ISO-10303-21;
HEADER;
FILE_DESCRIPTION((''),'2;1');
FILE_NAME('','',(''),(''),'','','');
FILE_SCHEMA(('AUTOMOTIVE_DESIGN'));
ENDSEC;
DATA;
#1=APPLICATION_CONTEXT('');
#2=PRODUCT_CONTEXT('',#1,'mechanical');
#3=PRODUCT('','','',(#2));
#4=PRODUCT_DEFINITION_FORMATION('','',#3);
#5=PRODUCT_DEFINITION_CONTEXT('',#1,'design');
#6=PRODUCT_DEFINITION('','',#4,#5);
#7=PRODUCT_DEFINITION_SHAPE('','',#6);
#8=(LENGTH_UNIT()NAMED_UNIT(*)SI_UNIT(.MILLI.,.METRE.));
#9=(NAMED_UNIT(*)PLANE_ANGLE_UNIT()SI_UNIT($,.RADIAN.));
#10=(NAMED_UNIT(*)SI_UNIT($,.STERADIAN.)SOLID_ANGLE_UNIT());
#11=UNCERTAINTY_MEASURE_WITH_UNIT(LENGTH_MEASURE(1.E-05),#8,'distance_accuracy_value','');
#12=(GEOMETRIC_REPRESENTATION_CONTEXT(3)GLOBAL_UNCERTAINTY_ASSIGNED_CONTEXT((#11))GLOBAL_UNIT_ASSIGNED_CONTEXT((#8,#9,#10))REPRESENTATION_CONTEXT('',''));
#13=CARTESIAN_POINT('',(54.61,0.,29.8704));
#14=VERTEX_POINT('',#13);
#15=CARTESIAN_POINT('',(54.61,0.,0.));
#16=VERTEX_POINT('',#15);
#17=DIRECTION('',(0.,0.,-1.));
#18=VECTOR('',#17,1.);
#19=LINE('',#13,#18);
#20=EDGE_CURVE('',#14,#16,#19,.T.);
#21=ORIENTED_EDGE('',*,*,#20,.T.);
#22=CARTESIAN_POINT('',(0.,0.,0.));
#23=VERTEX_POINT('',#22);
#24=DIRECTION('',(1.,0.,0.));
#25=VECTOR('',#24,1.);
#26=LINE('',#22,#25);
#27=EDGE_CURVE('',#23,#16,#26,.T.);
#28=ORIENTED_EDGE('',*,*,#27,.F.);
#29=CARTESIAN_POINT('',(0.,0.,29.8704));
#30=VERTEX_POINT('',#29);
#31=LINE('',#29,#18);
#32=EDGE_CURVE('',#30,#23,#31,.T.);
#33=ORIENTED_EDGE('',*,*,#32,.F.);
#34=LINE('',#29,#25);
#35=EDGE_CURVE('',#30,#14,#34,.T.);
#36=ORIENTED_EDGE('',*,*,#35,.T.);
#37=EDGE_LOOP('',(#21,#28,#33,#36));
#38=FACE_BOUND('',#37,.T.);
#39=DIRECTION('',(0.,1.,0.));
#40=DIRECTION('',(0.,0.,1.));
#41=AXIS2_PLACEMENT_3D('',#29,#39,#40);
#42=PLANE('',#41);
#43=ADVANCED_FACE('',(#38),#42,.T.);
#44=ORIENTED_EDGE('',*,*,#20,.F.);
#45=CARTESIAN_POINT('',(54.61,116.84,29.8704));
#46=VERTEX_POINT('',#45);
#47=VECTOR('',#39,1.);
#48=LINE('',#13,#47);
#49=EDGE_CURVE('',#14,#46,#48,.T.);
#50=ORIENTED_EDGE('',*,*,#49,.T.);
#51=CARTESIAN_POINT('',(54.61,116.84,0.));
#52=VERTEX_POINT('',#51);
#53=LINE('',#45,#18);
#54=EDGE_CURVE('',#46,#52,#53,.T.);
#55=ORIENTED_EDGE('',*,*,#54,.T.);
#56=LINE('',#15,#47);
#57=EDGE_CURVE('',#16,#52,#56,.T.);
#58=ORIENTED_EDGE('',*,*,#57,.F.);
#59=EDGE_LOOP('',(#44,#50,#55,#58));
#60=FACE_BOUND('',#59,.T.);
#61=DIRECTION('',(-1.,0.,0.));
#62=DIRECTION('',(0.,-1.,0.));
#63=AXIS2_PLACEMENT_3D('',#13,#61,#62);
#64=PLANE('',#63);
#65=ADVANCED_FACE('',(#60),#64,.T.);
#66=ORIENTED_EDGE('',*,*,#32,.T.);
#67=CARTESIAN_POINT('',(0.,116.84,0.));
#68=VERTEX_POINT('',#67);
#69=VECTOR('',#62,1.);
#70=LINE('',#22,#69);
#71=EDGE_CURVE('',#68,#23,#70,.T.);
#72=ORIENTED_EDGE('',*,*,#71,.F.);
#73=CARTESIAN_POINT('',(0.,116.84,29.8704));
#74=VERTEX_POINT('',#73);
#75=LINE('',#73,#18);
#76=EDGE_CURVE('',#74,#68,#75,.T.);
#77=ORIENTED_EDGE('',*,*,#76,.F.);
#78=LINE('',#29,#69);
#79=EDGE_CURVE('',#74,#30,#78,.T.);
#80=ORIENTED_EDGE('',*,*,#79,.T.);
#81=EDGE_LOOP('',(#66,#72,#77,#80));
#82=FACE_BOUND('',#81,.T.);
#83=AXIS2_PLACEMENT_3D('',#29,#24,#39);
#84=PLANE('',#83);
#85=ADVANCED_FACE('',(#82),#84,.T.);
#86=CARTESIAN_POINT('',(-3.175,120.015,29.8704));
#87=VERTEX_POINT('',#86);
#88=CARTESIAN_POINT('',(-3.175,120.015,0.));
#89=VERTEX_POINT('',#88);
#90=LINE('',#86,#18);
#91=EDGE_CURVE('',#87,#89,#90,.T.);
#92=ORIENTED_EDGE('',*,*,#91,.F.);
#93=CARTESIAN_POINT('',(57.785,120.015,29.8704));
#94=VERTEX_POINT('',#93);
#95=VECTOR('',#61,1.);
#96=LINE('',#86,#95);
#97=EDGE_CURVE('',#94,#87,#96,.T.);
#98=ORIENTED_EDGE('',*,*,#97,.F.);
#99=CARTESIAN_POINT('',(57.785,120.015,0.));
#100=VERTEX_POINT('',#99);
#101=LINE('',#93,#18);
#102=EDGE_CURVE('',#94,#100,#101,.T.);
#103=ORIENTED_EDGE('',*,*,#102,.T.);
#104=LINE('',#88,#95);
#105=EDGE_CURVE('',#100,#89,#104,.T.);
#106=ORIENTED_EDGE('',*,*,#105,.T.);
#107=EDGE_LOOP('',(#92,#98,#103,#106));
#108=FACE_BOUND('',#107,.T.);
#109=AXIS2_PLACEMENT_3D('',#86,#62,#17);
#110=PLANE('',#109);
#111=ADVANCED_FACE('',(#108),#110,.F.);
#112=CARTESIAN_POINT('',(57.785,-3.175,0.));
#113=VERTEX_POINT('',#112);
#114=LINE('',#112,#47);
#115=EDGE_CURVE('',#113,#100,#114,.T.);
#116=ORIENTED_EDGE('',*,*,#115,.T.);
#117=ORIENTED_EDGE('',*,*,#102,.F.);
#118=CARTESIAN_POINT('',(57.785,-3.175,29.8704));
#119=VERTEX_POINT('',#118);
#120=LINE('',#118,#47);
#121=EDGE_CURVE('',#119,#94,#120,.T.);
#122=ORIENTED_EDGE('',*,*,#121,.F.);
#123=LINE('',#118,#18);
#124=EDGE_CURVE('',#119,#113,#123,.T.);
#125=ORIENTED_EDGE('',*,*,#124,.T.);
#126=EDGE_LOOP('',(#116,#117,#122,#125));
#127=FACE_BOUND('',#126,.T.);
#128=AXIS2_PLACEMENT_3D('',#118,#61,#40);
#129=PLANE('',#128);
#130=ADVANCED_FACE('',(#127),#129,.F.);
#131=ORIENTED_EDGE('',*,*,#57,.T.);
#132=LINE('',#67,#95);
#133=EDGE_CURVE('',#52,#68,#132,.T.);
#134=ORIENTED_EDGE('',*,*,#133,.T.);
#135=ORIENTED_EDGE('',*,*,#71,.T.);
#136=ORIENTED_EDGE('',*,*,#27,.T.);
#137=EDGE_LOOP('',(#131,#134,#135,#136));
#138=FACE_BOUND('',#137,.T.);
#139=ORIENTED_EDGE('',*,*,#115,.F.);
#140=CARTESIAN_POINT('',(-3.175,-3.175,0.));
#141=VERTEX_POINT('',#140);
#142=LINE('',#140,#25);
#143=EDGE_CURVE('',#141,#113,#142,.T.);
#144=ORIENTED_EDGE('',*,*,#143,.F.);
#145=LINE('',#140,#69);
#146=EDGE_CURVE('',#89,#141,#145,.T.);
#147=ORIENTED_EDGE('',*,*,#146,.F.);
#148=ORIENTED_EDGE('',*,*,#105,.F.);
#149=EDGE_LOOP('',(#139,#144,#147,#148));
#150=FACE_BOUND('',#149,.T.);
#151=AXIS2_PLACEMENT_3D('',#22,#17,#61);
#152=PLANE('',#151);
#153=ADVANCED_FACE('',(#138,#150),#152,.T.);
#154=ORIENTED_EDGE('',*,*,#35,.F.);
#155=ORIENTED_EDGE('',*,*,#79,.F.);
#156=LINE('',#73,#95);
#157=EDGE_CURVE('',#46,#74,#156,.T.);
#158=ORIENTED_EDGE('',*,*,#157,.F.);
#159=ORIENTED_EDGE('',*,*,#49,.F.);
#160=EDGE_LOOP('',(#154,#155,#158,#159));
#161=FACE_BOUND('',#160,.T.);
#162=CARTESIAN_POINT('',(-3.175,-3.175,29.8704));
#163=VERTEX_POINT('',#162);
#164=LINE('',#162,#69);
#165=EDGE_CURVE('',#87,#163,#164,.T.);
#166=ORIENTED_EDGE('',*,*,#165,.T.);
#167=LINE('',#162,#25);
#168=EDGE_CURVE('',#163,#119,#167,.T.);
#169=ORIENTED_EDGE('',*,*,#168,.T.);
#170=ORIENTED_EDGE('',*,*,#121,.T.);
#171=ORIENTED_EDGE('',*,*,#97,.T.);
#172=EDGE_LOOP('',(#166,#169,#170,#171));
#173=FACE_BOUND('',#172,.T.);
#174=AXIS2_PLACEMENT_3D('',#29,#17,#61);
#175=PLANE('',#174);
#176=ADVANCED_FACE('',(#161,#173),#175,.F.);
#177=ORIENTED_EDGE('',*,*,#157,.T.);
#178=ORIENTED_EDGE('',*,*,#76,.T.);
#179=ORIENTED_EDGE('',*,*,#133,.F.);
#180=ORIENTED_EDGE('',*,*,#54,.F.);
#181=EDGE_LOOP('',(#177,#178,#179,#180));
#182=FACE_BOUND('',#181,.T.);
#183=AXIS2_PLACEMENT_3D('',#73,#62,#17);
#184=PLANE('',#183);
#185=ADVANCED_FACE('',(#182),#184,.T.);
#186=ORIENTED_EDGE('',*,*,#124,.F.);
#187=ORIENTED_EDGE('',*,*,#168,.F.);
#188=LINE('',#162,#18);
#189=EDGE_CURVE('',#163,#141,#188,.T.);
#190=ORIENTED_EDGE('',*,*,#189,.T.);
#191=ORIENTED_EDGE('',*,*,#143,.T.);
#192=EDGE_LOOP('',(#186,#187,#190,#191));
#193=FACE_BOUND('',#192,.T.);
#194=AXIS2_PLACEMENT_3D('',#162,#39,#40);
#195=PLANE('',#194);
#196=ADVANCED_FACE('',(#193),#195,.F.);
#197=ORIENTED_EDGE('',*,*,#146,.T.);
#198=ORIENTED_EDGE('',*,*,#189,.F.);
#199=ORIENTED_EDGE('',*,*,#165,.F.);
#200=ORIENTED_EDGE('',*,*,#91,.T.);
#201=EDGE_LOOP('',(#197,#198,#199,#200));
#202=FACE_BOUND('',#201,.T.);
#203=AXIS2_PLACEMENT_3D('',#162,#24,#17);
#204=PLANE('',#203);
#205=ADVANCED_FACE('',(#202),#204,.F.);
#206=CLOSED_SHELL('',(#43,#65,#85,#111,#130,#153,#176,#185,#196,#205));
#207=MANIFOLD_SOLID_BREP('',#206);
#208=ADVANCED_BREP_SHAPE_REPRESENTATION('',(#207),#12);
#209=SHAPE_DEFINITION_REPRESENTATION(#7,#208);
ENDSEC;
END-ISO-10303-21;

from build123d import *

# Parameters (mm, degrees)
SKETCH1_W           = 60.96
SKETCH1_H           = 123.19
SKETCH1_W_2         = 54.61
SKETCH1_H_2         = 116.84
BOSS_EXTRUDE1_DEPTH = 29.8704


with BuildPart() as part:
    # Sketch1 → Boss-Extrude1 (new body)
    with BuildSketch(Plane.XY):
        with Locations((27.305, 58.42)):
            Rectangle(SKETCH1_W, SKETCH1_H)
        with Locations((27.305, 58.42)):
            Rectangle(SKETCH1_W_2, SKETCH1_H_2, mode=Mode.SUBTRACT)
    extrude(amount=BOSS_EXTRUDE1_DEPTH)


solid = part.part
